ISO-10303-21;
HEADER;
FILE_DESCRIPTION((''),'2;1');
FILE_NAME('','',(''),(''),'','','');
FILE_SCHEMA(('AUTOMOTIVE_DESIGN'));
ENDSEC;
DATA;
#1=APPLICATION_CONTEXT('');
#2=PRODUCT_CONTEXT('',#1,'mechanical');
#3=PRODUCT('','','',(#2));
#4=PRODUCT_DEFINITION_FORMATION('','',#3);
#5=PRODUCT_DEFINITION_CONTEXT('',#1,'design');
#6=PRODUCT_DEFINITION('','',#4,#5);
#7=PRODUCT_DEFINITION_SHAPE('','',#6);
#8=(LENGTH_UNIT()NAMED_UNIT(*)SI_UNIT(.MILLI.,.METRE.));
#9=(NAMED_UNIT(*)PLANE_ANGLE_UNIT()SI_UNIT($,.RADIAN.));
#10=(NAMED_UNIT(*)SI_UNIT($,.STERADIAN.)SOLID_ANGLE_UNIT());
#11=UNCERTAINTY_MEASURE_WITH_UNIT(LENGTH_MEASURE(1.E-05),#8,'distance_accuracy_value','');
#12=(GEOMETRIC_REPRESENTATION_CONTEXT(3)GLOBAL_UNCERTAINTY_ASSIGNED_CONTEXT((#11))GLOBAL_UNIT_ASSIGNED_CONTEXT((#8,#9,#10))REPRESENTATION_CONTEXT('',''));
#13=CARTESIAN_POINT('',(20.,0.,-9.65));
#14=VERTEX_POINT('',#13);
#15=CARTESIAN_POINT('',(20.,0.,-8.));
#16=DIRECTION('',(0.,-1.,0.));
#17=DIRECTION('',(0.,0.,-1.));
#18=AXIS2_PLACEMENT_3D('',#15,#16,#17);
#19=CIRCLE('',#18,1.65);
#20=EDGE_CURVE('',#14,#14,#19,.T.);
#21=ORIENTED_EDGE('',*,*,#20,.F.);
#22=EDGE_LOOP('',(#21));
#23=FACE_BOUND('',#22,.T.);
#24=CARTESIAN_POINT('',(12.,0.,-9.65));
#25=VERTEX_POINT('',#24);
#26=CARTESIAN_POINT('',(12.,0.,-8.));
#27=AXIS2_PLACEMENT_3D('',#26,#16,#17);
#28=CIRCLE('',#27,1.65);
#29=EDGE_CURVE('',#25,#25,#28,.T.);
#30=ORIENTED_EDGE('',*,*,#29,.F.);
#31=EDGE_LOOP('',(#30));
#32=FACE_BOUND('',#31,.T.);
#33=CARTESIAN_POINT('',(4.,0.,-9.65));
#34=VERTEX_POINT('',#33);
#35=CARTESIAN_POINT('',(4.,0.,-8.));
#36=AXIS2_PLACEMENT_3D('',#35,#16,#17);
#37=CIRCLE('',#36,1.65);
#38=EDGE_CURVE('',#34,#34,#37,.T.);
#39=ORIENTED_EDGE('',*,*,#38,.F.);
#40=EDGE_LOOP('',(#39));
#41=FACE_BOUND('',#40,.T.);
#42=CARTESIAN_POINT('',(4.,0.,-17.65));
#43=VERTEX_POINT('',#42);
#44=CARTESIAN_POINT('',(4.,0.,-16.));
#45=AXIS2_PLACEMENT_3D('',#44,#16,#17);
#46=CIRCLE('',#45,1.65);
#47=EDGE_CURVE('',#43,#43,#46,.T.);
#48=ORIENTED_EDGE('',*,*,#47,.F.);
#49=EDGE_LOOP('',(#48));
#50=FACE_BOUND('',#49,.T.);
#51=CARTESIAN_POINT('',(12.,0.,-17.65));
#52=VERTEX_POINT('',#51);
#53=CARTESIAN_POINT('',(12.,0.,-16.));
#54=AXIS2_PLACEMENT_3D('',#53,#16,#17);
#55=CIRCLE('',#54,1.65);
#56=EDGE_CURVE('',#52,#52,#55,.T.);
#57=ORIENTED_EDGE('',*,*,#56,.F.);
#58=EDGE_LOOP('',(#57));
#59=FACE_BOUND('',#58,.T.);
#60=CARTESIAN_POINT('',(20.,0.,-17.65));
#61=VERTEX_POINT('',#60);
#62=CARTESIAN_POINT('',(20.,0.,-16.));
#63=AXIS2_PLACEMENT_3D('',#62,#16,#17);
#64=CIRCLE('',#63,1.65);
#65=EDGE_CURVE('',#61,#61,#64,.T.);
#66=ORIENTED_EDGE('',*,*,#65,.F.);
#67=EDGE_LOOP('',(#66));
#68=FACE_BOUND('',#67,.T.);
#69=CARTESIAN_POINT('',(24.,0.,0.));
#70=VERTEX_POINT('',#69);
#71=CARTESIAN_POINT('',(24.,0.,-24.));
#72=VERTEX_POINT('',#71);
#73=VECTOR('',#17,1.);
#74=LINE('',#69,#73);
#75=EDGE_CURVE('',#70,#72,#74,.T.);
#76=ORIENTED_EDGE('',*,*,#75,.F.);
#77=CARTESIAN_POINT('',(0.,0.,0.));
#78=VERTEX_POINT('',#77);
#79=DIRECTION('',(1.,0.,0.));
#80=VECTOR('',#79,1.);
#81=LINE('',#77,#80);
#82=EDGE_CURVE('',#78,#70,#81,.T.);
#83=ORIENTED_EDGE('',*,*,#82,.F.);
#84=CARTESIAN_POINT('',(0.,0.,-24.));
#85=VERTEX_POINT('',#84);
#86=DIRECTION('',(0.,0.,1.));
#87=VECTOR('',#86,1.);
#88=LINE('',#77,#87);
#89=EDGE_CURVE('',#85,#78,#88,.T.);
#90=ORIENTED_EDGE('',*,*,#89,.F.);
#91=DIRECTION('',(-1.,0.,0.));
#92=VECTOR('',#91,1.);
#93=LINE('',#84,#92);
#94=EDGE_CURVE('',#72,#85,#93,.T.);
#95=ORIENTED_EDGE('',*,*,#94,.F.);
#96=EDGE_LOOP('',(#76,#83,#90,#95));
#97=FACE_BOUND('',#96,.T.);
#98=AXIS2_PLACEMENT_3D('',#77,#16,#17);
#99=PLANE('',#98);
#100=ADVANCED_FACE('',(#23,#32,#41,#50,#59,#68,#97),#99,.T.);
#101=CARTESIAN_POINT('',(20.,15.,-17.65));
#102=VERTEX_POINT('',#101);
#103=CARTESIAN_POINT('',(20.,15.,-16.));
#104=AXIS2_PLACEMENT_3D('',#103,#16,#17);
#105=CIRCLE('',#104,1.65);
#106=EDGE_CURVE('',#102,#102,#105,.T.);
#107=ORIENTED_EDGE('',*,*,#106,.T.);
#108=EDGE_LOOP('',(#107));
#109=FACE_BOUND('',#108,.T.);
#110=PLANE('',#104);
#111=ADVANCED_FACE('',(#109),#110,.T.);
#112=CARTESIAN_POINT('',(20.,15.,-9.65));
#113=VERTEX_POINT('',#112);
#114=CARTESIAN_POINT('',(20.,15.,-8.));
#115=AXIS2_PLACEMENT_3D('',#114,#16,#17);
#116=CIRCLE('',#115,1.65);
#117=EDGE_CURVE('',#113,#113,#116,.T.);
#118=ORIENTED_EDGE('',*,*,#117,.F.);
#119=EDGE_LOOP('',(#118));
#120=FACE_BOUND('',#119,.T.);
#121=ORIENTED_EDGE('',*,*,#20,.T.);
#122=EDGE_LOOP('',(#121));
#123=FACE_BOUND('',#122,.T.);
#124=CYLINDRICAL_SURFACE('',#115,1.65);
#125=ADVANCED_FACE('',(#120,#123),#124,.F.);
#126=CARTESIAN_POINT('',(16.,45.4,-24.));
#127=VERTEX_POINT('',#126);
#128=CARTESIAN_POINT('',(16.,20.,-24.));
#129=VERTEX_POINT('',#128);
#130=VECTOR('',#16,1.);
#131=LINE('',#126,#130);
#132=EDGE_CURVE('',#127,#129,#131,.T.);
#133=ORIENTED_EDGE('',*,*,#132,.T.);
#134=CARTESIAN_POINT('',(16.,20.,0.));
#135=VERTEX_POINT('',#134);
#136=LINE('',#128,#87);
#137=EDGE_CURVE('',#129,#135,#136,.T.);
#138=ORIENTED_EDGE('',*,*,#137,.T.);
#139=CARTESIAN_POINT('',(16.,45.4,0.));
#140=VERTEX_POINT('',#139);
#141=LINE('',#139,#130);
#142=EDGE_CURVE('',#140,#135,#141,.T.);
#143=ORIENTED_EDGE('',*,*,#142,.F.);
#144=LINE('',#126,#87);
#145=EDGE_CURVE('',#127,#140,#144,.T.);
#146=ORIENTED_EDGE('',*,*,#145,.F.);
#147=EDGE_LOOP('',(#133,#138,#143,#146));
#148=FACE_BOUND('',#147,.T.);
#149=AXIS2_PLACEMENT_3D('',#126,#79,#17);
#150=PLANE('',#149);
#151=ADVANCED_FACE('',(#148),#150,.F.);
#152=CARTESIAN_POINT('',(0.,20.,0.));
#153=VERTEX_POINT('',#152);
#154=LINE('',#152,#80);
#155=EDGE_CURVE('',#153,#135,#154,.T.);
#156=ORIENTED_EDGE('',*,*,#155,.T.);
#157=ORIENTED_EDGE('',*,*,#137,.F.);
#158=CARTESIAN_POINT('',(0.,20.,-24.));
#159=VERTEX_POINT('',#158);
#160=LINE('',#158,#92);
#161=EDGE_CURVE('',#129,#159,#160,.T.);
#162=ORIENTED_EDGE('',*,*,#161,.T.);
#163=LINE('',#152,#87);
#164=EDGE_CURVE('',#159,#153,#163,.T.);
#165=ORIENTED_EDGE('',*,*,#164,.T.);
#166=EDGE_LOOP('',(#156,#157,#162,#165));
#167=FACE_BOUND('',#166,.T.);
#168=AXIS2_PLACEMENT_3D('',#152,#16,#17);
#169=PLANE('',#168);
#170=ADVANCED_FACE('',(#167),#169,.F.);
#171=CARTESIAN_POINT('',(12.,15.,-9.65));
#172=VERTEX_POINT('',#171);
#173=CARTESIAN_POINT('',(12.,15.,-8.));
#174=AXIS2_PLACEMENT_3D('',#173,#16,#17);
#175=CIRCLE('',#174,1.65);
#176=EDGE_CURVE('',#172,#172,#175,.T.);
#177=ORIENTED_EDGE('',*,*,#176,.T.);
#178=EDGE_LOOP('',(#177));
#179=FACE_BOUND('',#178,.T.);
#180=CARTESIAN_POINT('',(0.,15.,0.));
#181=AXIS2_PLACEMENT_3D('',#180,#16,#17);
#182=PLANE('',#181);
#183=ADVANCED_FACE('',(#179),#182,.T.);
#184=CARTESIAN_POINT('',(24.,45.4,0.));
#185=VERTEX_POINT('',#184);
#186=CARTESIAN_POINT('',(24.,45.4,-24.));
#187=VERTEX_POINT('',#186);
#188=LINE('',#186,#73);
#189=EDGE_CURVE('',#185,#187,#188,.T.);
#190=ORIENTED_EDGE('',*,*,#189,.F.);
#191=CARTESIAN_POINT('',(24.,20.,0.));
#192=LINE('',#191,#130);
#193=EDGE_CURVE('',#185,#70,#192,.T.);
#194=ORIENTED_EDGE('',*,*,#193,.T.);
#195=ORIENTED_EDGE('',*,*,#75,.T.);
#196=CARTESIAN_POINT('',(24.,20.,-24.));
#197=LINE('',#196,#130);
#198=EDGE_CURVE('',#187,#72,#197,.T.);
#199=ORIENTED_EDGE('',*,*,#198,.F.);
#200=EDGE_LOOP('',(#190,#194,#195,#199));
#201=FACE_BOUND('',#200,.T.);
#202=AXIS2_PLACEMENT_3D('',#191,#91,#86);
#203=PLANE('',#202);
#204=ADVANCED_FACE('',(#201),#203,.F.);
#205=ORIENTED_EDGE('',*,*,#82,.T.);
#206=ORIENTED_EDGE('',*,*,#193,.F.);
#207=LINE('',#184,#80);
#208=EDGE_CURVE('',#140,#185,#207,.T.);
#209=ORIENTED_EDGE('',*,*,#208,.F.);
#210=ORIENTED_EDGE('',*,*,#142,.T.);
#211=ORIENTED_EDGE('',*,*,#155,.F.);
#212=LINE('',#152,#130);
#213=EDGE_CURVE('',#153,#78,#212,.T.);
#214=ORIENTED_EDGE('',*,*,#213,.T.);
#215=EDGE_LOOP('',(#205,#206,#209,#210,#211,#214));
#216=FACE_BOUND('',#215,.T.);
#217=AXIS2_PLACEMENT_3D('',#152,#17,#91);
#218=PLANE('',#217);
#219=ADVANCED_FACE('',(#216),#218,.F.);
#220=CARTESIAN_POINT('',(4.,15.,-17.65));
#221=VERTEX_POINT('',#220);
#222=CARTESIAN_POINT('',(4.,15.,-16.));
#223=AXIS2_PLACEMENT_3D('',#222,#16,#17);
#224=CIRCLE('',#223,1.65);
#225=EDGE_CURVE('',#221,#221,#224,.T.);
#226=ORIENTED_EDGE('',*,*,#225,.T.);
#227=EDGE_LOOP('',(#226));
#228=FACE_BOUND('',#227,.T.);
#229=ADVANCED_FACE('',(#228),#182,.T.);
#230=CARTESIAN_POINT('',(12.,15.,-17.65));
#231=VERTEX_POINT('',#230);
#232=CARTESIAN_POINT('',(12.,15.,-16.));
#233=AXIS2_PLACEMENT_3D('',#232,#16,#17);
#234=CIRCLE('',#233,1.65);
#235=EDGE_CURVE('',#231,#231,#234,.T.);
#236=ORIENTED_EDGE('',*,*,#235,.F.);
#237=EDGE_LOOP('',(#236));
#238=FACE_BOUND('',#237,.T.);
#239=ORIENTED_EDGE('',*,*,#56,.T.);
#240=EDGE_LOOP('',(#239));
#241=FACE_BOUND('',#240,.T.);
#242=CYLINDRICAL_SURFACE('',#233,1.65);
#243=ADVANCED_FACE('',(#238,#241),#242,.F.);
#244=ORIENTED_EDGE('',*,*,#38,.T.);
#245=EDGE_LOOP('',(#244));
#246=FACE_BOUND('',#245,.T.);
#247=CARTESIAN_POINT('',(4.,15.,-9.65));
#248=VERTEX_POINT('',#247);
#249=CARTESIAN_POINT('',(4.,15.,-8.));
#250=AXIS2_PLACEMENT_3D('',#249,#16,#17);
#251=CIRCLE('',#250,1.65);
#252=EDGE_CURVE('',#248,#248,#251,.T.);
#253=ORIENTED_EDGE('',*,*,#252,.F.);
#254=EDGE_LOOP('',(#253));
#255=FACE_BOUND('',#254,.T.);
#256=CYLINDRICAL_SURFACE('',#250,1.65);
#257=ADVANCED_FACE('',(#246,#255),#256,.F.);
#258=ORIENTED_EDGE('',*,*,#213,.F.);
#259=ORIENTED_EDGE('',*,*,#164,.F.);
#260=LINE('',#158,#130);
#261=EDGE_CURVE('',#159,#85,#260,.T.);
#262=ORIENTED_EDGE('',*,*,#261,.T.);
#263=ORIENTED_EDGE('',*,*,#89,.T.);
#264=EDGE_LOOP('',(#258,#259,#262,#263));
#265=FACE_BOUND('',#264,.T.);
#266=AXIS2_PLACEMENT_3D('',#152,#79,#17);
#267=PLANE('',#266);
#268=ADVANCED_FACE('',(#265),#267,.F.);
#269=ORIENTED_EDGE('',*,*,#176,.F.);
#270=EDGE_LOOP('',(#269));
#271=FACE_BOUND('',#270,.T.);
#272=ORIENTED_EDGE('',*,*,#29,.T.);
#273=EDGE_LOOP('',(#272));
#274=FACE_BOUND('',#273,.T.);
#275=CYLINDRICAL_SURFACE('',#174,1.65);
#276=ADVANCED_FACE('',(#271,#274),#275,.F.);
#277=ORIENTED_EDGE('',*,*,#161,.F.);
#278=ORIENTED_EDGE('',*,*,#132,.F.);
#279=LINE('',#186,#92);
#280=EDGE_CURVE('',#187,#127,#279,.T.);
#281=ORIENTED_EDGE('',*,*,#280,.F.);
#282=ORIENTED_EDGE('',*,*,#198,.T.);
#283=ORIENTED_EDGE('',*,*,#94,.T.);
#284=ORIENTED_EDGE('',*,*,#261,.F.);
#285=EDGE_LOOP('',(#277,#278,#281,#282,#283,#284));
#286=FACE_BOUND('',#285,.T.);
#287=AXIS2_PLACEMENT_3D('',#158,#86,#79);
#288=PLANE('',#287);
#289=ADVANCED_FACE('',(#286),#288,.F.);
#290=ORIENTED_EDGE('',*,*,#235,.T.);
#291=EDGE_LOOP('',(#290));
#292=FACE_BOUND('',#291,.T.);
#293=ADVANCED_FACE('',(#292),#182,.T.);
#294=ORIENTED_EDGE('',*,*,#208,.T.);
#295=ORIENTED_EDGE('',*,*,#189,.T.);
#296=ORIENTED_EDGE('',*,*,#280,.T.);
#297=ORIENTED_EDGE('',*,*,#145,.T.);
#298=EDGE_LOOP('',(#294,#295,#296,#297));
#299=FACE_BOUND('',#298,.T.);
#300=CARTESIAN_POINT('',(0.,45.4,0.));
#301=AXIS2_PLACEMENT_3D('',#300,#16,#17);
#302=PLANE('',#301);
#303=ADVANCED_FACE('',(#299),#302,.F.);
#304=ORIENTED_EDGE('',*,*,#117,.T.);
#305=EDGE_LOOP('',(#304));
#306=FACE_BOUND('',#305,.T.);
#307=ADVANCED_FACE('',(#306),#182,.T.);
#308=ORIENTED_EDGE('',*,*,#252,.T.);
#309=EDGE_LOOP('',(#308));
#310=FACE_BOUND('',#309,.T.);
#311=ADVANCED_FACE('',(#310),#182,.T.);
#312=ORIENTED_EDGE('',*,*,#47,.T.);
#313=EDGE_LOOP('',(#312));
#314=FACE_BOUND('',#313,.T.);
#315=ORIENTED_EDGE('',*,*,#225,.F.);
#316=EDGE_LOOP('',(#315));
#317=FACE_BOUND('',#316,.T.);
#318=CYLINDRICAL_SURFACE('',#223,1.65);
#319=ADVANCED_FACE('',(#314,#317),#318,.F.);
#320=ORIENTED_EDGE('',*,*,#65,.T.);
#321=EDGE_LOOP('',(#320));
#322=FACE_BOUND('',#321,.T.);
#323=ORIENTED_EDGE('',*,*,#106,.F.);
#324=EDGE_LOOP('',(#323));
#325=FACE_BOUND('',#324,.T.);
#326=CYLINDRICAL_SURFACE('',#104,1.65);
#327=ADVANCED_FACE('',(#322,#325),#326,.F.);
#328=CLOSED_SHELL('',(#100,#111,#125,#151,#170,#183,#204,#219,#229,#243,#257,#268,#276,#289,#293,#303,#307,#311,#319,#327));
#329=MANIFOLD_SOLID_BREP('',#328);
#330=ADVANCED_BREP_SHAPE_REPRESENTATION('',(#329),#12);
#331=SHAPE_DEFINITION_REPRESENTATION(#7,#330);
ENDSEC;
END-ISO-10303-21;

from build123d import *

# Parameters (mm, degrees)
SKETCH1_W           = 24
SKETCH1_H           = 24
BOSS_EXTRUDE1_DEPTH = 20
SKETCH2_W           = 8
SKETCH2_H           = 24
BOSS_EXTRUDE2_DEPTH = 25.4
SKETCH3_R           = 1.65
CUT_EXTRUDE1_DEPTH  = 15


with BuildPart() as part:
    # Sketch1 → Boss-Extrude1 (new body)
    with BuildSketch(Plane(origin=(0, 0, 0), x_dir=(1, 0, 0), z_dir=(0, 1, 0))):
        with Locations((12, 12)):
            Rectangle(SKETCH1_W, SKETCH1_H)
    extrude(amount=BOSS_EXTRUDE1_DEPTH)

    # Sketch2 → Boss-Extrude2 (add)
    with BuildSketch(Plane(origin=(0, 20, 0), x_dir=(1, 0, 0), z_dir=(0, 1, 0))):
        with Locations((20, 12)):
            Rectangle(SKETCH2_W, SKETCH2_H)
    extrude(amount=BOSS_EXTRUDE2_DEPTH)

    # Sketch3 → Cut-Extrude1 (cut)
    with BuildSketch(Plane(origin=(0, 0, 0), x_dir=(-1, 0, 0), z_dir=(0, -1, 0))):
        with Locations(Location((-4, 16, 0), (0, 0, 90))):
            Circle(SKETCH3_R)
        with Locations(Location((-4, 8, 0), (0, 0, 90))):
            Circle(SKETCH3_R)
        with Locations(Location((-12, 8, 0), (0, 0, 90))):
            Circle(SKETCH3_R)
        with Locations(Location((-12, 16, 0), (0, 0, 90))):
            Circle(SKETCH3_R)
        with Locations(Location((-20, 8, 0), (0, 0, 90))):
            Circle(SKETCH3_R)
        with Locations(Location((-20, 16, 0), (0, 0, 90))):
            Circle(SKETCH3_R)
    extrude(amount=-CUT_EXTRUDE1_DEPTH, mode=Mode.SUBTRACT)


solid = part.part
